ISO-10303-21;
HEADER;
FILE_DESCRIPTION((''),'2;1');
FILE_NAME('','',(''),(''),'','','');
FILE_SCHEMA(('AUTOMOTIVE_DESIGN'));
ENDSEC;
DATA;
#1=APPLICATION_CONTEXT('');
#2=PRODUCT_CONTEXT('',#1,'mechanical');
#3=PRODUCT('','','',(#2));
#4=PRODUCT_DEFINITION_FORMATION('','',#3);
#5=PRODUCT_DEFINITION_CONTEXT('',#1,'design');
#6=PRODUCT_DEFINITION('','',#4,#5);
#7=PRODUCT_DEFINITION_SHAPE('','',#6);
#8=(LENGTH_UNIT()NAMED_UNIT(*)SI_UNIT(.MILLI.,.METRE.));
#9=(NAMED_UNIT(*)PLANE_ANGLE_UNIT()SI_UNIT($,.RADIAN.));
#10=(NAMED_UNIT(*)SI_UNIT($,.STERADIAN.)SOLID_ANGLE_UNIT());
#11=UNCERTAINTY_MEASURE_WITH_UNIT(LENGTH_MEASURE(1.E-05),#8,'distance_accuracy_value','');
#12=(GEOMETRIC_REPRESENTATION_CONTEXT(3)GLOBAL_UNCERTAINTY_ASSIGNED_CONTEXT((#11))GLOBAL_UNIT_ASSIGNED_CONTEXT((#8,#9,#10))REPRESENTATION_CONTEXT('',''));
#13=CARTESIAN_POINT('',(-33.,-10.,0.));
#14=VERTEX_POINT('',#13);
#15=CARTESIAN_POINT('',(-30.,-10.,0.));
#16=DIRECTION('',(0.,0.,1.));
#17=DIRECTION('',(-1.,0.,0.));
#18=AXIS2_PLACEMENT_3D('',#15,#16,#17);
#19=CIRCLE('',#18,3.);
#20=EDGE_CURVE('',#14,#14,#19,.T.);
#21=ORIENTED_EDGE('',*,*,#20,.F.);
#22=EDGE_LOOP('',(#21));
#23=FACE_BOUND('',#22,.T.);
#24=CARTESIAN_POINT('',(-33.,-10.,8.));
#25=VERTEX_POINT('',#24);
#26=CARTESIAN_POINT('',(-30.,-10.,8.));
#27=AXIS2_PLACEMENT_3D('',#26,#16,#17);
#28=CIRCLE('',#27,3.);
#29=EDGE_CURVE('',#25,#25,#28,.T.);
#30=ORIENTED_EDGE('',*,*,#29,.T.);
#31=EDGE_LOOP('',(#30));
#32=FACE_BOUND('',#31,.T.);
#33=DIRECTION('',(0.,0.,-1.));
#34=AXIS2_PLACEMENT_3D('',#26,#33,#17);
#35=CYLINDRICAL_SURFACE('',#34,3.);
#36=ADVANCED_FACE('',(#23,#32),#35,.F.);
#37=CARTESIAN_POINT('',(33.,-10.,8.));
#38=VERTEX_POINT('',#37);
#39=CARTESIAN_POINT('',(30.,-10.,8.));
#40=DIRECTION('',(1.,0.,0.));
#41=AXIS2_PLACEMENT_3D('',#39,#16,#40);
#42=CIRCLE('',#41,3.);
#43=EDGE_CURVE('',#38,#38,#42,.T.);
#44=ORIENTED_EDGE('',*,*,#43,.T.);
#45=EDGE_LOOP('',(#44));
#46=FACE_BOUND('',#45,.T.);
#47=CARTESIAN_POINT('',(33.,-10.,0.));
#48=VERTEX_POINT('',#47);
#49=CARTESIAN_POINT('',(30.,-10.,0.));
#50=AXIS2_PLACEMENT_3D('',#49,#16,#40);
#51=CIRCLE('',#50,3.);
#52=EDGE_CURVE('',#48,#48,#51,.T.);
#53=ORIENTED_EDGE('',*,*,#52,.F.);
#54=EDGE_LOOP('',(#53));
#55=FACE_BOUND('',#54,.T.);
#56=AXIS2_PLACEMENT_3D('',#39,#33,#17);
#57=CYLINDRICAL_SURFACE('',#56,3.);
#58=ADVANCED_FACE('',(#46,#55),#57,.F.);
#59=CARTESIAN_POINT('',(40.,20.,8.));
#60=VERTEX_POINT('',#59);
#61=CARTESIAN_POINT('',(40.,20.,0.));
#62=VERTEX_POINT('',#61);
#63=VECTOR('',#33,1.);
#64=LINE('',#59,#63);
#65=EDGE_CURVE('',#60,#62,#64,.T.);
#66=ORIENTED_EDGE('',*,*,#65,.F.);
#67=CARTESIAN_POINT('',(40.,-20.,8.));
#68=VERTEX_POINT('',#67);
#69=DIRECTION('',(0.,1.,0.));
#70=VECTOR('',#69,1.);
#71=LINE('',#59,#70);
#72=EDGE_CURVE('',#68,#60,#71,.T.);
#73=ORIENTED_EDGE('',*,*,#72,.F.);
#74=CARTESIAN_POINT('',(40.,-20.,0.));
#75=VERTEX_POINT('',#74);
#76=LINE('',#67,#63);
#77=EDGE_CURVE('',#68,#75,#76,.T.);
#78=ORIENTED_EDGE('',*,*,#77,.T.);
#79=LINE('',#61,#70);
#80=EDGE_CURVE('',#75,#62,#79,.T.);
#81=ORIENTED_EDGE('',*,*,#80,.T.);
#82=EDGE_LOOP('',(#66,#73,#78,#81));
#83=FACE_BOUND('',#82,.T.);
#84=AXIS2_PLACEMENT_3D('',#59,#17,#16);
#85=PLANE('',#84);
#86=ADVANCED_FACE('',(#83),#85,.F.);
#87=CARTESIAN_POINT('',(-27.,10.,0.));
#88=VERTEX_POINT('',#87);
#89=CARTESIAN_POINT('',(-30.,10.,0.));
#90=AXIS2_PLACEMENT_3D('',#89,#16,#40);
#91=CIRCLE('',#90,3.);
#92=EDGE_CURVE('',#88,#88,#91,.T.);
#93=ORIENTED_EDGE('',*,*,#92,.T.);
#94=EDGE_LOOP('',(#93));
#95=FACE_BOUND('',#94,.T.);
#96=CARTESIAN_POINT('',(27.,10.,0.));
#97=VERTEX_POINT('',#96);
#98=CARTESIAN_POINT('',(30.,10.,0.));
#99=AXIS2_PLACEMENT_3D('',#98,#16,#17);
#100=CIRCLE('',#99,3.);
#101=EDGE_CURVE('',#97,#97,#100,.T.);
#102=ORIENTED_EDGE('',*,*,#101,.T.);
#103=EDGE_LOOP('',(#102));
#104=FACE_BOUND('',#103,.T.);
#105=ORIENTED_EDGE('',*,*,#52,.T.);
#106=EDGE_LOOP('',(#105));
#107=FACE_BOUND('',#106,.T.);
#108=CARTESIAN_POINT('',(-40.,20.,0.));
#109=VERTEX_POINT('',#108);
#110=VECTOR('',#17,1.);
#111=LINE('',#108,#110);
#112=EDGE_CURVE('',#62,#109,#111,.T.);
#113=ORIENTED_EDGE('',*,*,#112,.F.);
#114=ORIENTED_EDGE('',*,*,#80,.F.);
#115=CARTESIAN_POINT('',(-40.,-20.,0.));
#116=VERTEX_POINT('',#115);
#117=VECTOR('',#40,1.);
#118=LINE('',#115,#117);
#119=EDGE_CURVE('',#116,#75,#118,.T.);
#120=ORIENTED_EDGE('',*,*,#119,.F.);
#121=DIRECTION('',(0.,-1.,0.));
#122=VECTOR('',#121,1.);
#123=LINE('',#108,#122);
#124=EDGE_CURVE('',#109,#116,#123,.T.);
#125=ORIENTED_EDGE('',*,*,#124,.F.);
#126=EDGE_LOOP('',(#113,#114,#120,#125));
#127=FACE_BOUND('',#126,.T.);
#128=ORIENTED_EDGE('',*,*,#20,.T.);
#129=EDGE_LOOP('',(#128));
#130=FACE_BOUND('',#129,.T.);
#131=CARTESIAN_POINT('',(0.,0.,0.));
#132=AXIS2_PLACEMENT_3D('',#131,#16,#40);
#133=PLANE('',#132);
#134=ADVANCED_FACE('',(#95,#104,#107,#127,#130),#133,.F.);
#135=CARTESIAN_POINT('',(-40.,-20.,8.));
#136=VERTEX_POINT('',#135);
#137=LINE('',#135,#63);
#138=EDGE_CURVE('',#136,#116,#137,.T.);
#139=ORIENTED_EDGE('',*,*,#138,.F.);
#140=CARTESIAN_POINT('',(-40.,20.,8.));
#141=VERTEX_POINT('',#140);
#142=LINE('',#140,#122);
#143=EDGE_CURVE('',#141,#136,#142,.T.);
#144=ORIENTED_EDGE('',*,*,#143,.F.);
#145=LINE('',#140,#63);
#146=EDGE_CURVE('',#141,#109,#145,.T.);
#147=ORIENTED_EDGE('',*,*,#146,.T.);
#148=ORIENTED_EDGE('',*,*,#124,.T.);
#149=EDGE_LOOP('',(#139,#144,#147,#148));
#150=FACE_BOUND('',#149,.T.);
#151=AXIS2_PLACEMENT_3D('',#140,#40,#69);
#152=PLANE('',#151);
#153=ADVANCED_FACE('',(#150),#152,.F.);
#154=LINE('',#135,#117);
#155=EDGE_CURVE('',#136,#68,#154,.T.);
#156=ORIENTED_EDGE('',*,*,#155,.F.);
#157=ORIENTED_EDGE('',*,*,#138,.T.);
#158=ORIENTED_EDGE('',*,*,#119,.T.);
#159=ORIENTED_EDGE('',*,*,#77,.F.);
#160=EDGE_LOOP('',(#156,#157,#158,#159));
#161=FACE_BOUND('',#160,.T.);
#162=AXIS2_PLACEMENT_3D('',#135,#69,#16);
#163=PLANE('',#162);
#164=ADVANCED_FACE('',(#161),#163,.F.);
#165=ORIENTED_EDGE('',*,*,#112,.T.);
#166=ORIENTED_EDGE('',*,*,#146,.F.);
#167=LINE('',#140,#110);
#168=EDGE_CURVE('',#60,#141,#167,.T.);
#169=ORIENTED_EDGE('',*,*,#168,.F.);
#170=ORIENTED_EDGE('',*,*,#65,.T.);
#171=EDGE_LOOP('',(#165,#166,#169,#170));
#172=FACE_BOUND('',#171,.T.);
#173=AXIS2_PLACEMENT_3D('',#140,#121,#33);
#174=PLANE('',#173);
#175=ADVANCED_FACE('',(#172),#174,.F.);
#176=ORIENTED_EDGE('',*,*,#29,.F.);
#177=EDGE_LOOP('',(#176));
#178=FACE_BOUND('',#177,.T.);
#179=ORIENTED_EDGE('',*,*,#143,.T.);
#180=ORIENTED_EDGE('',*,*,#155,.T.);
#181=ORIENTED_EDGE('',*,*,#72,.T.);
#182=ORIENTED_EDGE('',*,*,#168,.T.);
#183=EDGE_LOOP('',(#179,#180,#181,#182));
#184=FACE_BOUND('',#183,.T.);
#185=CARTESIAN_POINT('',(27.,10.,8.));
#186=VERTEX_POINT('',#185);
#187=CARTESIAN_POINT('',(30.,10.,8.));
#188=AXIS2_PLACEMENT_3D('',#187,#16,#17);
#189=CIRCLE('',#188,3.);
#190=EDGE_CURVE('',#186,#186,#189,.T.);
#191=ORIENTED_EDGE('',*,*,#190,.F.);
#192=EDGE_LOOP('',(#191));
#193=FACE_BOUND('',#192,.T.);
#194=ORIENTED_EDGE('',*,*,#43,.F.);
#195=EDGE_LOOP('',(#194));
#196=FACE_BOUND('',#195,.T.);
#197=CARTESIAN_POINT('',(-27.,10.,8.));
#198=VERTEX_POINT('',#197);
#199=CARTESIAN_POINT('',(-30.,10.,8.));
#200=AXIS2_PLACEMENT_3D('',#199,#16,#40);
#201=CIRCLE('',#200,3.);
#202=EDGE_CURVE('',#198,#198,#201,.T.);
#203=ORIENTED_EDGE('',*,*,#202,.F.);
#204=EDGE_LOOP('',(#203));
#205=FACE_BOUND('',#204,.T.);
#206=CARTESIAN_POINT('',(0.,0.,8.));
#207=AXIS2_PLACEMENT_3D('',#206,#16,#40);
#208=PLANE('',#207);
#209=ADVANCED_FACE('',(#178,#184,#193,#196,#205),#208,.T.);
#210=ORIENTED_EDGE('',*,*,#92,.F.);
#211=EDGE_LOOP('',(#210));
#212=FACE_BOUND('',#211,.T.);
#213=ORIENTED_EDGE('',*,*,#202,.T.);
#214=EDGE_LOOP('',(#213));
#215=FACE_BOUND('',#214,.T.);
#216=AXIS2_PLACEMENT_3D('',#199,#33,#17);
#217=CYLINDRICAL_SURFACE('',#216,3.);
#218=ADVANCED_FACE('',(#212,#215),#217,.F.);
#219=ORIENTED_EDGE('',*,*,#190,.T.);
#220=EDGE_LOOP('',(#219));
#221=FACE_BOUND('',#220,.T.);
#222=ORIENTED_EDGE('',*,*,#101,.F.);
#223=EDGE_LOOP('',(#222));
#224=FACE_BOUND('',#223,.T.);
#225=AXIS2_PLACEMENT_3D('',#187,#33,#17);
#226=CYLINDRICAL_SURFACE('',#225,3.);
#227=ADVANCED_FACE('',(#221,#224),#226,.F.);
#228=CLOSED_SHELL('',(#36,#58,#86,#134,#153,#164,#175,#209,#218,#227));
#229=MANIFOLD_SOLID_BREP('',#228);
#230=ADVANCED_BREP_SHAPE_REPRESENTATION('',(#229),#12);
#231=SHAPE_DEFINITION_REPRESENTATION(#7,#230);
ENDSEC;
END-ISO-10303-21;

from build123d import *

# Parameters (mm, degrees)
SCHIZZO1_W                   = 80
SCHIZZO1_H                   = 40
SCHIZZO1_R                   = 3
ESTRUSIONE_ESTRUSIONE1_DEPTH = 8


with BuildPart() as part:
    # Schizzo1 → Estrusione-Estrusione1 (new body)
    with BuildSketch(Plane.XY):
        Rectangle(SCHIZZO1_W, SCHIZZO1_H)
        with Locations((-30, 10)):
            Circle(SCHIZZO1_R, mode=Mode.SUBTRACT)
        with Locations(Location((-30, -10, 0), (0, 0, 180))):
            Circle(SCHIZZO1_R, mode=Mode.SUBTRACT)
        with Locations((30, -10)):
            Circle(SCHIZZO1_R, mode=Mode.SUBTRACT)
        with Locations(Location((30, 10, 0), (0, 0, 180))):
            Circle(SCHIZZO1_R, mode=Mode.SUBTRACT)
    extrude(amount=ESTRUSIONE_ESTRUSIONE1_DEPTH)


solid = part.part
